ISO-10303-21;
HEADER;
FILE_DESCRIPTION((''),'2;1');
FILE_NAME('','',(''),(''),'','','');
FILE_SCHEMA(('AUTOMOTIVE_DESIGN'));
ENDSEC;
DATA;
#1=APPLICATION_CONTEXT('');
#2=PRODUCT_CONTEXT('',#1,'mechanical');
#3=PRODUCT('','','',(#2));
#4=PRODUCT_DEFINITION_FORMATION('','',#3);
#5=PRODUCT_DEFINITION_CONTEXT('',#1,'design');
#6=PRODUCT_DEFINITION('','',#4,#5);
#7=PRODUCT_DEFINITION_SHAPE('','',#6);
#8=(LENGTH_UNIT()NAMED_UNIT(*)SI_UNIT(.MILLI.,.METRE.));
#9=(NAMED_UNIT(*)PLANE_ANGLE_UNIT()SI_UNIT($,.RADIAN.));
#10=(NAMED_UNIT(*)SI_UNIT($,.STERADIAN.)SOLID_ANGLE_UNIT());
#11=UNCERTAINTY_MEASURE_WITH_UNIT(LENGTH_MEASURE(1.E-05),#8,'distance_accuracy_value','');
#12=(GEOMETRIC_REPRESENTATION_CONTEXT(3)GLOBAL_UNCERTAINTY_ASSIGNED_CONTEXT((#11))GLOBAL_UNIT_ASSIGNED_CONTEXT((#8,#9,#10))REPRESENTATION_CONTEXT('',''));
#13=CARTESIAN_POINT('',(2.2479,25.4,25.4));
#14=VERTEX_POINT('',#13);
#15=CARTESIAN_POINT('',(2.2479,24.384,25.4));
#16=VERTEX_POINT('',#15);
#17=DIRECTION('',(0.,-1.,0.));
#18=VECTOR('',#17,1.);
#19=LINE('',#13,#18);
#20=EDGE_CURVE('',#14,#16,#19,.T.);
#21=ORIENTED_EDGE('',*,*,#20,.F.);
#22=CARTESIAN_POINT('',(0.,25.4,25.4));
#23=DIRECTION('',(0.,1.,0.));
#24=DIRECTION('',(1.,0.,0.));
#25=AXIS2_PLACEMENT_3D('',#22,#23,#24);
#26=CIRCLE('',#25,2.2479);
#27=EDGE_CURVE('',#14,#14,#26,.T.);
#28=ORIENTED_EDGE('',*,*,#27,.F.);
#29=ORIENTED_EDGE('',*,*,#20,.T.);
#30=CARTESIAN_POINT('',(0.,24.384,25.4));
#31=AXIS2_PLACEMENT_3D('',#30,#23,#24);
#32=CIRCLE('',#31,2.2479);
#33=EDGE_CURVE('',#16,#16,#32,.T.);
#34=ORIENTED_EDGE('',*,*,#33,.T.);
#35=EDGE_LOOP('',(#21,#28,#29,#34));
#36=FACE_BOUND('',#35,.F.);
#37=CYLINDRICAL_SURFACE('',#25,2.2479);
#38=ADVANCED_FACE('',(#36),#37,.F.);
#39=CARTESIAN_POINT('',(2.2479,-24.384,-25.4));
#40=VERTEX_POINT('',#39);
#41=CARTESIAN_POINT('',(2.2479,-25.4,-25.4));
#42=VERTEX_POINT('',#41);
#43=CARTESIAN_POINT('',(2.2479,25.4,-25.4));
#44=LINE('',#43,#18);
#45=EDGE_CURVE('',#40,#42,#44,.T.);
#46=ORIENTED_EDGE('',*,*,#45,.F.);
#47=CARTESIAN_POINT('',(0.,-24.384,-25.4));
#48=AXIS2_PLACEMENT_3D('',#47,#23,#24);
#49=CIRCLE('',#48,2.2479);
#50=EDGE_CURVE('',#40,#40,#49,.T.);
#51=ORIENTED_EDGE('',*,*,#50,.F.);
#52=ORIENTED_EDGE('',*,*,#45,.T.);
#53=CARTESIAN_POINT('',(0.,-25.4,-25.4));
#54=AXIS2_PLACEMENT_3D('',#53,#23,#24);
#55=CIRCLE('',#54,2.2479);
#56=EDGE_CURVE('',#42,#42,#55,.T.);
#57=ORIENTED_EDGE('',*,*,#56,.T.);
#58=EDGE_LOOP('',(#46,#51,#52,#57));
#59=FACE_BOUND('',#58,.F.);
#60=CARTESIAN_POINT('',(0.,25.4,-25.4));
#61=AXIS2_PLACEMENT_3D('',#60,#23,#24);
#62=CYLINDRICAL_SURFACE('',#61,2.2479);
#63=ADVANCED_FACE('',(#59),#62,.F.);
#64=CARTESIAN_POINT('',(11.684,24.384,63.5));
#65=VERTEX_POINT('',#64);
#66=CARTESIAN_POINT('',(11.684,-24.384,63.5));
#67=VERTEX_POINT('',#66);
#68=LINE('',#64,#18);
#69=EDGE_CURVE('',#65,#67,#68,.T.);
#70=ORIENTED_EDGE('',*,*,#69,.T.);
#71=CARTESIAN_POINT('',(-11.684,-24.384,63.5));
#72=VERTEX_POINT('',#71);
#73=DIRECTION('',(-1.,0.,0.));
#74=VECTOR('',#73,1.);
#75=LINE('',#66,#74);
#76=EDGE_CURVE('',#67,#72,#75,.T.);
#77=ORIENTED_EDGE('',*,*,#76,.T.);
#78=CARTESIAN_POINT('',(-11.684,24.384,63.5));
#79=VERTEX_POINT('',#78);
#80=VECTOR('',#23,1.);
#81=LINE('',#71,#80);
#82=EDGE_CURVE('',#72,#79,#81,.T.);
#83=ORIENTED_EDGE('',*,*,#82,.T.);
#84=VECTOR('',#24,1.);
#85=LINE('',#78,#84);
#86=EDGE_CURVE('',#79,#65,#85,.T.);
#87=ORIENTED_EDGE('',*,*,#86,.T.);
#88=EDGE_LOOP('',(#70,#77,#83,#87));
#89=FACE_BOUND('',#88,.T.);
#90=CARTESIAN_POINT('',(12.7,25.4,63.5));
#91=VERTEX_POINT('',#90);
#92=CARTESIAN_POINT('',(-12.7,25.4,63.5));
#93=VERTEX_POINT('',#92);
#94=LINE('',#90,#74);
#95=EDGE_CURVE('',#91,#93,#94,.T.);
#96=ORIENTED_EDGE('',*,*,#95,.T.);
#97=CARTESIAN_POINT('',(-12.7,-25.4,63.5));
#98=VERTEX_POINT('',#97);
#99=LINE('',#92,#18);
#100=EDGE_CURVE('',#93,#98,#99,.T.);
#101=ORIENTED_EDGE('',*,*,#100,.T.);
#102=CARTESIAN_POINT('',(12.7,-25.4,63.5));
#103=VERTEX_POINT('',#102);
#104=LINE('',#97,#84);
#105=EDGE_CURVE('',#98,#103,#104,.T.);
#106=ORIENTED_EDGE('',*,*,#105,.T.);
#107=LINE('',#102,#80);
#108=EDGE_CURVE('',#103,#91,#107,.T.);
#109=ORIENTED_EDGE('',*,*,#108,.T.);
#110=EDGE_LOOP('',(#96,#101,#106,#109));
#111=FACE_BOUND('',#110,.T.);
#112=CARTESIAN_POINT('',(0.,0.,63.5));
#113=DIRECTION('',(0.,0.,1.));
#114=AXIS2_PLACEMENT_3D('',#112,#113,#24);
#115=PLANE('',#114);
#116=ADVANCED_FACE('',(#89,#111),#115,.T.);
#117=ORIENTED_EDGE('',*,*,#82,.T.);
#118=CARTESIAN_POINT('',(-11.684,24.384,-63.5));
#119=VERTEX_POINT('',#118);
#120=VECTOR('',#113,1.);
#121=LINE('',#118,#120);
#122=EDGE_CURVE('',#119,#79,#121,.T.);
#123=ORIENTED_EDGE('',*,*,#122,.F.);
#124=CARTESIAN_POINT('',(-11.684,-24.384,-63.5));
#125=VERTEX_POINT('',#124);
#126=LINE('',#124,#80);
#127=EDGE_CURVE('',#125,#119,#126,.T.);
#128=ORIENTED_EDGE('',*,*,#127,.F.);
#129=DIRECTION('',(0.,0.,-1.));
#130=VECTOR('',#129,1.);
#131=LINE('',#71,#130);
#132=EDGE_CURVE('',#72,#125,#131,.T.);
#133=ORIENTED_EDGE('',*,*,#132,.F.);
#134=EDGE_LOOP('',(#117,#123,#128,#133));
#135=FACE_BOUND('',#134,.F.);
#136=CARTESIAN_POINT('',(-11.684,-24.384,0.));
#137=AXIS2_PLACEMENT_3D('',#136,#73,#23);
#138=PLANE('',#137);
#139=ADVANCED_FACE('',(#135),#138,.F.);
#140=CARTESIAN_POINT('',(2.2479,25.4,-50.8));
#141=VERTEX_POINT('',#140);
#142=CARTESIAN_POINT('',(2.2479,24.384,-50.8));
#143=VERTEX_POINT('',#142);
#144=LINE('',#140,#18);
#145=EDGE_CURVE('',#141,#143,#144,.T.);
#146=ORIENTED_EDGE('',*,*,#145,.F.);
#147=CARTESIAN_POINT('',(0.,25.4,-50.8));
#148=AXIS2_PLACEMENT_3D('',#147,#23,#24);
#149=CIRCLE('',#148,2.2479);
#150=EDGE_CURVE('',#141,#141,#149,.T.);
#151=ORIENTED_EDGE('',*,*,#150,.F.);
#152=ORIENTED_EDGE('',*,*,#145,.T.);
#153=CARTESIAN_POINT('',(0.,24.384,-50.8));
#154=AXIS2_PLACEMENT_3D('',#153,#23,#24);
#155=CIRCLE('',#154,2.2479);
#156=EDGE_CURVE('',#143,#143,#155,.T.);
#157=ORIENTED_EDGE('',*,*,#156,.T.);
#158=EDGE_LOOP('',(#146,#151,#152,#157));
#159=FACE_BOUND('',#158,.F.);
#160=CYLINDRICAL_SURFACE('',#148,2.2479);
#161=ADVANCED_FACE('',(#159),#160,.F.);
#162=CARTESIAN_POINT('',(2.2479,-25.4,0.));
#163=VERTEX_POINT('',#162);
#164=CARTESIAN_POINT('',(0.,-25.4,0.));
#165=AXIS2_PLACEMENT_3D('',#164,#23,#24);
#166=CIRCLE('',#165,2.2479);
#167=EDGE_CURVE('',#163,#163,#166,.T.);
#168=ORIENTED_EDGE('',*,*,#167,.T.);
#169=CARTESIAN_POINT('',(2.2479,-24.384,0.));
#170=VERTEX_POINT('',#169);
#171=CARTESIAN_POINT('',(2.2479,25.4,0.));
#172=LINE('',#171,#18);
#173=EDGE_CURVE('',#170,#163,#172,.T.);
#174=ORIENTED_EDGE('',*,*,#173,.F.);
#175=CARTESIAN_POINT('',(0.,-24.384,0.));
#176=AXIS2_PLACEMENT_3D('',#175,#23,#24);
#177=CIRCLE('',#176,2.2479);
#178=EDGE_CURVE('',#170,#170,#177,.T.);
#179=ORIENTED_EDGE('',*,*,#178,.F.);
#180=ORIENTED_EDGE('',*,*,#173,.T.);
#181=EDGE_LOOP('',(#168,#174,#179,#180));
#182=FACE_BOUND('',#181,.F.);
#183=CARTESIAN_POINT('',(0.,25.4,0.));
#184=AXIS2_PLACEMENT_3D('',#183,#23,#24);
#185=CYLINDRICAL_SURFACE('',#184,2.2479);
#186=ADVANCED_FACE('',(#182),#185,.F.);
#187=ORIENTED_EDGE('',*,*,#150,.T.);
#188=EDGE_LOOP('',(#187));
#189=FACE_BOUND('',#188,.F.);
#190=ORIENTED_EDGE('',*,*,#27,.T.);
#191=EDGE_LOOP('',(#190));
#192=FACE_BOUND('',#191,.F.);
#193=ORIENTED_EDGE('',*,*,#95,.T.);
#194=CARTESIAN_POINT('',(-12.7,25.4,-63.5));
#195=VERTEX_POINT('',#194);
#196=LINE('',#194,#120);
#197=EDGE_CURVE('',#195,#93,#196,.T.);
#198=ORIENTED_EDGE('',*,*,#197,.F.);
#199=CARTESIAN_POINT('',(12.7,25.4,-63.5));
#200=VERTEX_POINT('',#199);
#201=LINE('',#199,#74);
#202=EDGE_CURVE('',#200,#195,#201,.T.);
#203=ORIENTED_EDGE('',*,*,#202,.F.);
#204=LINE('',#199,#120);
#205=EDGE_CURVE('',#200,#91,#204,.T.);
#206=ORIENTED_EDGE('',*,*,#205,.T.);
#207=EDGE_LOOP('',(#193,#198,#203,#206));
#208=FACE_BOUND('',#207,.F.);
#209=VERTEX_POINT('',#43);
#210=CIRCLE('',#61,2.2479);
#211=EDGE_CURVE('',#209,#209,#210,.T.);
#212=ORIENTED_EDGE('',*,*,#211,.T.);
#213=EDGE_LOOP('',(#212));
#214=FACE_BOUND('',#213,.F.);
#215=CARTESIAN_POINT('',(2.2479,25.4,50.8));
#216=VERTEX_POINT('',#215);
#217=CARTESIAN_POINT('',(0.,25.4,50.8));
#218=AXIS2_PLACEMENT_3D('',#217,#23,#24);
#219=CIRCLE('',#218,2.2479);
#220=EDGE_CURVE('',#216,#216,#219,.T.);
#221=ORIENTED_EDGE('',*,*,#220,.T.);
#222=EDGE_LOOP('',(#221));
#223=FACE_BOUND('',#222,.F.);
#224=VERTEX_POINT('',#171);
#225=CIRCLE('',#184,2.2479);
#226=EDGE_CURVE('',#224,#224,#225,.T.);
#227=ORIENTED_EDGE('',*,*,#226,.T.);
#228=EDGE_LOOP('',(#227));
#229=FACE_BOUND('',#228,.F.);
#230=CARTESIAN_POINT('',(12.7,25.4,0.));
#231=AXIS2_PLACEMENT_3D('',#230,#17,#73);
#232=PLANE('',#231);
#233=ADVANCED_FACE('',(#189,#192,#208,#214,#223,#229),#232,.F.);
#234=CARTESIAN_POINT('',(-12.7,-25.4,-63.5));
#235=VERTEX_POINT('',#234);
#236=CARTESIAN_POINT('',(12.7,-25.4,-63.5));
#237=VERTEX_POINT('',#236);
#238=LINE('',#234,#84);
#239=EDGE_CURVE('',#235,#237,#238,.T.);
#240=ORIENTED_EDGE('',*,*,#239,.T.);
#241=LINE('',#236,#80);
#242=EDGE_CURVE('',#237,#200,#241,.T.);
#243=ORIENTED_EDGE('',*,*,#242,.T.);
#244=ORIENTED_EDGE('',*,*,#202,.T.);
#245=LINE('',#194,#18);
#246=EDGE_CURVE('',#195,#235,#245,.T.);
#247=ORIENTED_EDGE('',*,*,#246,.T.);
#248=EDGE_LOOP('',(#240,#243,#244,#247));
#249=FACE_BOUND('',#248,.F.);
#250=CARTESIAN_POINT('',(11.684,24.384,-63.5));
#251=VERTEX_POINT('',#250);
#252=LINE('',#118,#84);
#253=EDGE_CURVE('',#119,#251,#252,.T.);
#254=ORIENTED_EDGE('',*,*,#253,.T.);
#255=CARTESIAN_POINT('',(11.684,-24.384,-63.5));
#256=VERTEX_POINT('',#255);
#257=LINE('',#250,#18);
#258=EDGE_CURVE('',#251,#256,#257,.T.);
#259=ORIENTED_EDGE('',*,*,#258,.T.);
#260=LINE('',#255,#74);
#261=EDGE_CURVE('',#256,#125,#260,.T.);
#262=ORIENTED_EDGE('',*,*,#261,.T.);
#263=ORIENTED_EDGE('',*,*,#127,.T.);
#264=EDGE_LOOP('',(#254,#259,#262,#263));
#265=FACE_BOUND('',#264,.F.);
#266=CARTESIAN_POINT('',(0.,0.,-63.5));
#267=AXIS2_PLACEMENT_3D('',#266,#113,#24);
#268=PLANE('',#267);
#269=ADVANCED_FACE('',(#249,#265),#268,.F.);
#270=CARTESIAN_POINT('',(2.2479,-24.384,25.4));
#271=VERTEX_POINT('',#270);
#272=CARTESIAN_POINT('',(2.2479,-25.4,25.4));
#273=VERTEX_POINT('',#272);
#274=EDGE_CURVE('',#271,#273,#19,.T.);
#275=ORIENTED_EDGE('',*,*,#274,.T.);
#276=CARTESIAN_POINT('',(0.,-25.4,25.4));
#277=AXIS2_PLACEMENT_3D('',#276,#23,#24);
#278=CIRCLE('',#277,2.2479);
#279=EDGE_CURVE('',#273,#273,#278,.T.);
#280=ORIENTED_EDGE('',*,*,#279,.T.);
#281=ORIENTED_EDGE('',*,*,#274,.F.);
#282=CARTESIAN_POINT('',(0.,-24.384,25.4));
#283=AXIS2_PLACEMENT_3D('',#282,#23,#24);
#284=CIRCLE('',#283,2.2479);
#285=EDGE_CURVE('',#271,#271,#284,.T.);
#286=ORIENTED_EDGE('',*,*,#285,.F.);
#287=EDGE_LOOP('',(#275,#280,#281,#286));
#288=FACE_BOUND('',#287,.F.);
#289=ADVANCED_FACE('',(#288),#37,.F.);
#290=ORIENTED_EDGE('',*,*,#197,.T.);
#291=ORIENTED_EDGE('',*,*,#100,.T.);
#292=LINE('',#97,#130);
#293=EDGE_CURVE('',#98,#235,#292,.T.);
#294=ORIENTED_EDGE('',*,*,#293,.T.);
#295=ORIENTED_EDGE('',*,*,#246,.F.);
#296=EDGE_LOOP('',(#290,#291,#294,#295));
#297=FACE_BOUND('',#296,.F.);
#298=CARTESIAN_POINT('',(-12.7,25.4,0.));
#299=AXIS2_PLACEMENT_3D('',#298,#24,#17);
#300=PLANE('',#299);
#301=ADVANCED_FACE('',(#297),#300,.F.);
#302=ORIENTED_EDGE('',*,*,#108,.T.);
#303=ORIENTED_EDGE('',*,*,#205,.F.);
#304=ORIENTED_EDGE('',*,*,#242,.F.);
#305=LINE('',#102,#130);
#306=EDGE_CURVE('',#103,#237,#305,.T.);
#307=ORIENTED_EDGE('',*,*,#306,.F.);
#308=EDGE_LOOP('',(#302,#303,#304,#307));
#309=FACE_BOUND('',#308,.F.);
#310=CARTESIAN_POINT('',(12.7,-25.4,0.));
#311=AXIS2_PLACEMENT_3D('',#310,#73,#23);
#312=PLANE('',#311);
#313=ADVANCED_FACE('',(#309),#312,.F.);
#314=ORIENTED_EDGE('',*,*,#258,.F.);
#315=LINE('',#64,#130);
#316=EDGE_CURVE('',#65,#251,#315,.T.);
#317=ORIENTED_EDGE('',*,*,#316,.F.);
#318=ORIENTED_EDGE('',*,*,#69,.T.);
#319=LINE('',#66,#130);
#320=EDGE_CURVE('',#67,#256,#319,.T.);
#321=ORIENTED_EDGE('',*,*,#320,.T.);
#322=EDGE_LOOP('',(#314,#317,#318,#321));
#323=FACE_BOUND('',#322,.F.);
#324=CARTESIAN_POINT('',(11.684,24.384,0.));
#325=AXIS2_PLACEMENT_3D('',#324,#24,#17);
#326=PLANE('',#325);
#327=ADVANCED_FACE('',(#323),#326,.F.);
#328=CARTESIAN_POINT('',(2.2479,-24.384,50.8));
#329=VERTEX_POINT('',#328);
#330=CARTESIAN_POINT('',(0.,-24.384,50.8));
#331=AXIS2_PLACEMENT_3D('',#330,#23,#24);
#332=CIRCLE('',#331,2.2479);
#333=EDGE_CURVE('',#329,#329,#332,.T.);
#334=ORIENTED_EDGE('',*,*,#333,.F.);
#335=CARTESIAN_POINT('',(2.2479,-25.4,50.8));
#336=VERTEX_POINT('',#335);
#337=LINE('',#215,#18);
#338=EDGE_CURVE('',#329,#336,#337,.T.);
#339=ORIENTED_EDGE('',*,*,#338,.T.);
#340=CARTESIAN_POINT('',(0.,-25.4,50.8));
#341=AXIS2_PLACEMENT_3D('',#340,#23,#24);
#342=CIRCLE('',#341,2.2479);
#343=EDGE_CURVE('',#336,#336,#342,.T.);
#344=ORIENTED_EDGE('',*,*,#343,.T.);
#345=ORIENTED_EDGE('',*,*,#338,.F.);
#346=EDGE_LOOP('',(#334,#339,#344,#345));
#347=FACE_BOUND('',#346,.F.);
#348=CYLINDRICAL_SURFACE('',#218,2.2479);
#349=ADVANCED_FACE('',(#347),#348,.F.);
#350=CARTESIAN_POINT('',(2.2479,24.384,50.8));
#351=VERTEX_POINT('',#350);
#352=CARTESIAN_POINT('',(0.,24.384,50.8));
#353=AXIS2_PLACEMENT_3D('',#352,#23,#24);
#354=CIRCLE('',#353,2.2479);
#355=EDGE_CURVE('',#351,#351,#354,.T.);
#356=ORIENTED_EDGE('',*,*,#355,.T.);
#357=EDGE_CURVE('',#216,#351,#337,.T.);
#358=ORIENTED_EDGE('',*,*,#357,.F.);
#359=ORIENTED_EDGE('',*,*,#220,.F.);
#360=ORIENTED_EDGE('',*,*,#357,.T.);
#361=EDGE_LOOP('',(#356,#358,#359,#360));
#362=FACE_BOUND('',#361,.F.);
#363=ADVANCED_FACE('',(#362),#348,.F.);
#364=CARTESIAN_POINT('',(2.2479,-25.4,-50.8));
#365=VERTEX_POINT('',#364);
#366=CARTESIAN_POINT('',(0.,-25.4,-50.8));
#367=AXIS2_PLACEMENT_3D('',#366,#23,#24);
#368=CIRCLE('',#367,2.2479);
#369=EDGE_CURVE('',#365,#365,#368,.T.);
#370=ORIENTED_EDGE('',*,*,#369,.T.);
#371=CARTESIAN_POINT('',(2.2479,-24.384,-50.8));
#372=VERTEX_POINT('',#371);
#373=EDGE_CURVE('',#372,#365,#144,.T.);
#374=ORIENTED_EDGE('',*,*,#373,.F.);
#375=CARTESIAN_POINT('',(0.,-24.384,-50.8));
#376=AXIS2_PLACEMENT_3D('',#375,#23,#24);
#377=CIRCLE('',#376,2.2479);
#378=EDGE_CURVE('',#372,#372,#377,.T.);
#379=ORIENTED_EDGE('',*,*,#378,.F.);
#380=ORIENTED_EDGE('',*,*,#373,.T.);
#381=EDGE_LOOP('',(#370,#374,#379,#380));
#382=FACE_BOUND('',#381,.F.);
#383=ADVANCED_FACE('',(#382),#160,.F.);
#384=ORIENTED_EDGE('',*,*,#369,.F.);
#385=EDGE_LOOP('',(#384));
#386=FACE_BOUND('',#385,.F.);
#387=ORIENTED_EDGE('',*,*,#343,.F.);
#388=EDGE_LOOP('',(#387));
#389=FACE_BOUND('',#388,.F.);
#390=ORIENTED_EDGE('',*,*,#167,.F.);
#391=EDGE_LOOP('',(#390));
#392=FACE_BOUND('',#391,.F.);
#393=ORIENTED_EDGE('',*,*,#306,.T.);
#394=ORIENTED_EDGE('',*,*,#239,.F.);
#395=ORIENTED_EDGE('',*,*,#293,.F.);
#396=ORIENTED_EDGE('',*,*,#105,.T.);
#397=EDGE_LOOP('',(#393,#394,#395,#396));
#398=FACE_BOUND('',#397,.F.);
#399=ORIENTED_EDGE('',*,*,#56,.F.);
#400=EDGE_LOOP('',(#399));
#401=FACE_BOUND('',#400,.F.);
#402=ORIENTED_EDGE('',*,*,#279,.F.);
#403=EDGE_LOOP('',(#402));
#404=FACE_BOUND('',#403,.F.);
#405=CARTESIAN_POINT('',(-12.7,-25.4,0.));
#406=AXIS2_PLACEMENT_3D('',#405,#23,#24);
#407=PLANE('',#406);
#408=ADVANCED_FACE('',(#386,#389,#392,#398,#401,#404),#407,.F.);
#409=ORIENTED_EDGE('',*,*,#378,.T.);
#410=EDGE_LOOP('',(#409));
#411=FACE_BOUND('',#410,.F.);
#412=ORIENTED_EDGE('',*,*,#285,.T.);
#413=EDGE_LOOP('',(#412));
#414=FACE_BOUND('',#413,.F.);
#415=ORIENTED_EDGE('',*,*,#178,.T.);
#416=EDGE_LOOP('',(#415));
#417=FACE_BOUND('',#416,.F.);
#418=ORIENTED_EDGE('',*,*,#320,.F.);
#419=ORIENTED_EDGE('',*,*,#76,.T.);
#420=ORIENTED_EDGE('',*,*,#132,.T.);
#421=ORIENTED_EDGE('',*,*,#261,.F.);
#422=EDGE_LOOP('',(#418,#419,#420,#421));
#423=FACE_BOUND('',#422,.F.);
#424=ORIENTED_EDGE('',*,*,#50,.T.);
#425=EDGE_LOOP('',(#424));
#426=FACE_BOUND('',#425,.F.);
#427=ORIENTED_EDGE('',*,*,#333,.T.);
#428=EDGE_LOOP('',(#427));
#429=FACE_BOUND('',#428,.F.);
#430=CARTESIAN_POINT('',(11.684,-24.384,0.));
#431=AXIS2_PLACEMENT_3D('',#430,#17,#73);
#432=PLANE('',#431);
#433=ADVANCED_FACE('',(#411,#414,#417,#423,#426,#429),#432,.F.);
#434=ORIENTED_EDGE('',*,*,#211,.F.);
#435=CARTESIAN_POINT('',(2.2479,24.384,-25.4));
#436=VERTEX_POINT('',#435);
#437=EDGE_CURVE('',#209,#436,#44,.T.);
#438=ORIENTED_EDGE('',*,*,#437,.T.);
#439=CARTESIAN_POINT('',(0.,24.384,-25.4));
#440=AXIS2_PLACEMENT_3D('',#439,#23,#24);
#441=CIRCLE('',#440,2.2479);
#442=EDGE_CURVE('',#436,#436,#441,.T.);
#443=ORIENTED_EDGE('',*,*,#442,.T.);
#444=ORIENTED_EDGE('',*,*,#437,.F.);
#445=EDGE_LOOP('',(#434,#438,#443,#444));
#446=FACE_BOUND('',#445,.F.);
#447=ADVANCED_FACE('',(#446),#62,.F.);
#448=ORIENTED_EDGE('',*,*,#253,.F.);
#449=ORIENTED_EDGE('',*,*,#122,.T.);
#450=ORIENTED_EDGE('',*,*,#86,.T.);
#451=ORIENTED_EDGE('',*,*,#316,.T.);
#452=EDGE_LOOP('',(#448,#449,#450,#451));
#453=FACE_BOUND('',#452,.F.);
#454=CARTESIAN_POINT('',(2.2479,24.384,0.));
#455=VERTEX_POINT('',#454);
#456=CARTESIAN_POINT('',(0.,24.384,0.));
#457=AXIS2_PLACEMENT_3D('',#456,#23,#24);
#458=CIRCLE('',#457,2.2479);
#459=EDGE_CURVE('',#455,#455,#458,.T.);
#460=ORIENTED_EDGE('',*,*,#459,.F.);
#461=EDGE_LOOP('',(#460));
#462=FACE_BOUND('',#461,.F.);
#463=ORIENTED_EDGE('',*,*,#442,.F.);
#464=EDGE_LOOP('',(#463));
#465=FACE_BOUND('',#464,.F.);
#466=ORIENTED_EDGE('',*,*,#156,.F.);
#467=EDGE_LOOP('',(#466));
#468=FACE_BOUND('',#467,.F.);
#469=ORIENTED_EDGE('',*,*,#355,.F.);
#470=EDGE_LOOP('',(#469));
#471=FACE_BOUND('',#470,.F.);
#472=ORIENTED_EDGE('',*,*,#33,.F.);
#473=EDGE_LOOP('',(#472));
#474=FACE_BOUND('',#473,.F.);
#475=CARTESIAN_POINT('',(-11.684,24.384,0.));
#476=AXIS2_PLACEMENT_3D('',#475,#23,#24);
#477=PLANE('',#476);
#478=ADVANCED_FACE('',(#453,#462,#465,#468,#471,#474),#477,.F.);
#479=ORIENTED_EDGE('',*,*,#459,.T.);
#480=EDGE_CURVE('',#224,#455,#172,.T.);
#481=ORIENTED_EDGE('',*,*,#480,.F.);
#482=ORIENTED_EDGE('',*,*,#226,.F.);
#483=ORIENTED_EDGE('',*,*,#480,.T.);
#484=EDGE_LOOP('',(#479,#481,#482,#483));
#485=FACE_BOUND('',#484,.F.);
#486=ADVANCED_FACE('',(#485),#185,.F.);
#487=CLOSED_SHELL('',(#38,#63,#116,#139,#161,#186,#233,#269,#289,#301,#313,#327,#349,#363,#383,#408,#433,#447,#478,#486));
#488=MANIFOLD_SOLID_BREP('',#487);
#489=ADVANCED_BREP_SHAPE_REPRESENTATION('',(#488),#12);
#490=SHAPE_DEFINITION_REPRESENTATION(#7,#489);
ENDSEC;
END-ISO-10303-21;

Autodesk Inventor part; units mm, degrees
ref_plane "YZ Plane" through (0, 0, 0) normal (1, 0, 0) x (0, 1, 0)
ref_plane "XZ Plane" through (0, 0, 0) normal (0, 1, 0) x (-1, 0, 0)
ref_plane "XY Plane" through (0, 0, 0) normal (0, 0, 1) x (1, 0, 0)
sketch "Sketch1" plane through (0, 0, 0) normal (0, 0, 1) x (1, 0, 0)
  line L0 (12.7, 25.4) -> (-12.7, 25.4)
  line L1 (-12.7, 25.4) -> (-12.7, -25.4)
  line L2 (-12.7, -25.4) -> (12.7, -25.4)
  line L3 (12.7, -25.4) -> (12.7, 25.4)
  line L4 (12.7, 25.4) -> (-12.7, -25.4) construction
  line L5 (-12.7, 25.4) -> (12.7, -25.4) construction
  line L6 (-11.684, 24.384) -> (11.684, 24.384)
  line L7 (11.684, 24.384) -> (11.684, -24.384)
  line L8 (11.684, -24.384) -> (-11.684, -24.384)
  line L9 (-11.684, -24.384) -> (-11.684, 24.384)
  point P0 (0, 0)
  dimension "d0" = 1.016
  dimension "d1" = 50.8
  dimension "d2" = 25.4
extrude "Tube Length" add sketch "Sketch1" along normal mid plane 127
sketch "Sketch2" plane through (-12.7, 25.4, 63.5) normal (0, 1, 0) x (1, 0, 0)
  line L0 (0, 0) -> (0, 127) projected
  line L1 (25.4, 0) -> (0, 0) projected
  line L2 (25.4, 127) -> (25.4, 0) projected
  line L3 (0, 127) -> (25.4, 127) projected
  line L4 (25.4, 0) -> (0, 0) projected
  line L5 (12.7, 0) -> (12.7, 12.7) construction
  circle A0 centre (12.7, 12.7) radius 2.2479
  point P0 (12.7, 63.5)
  dimension "d5" = 12.7
  dimension "d6" = 4.4958
extrude "Top Hole" cut sketch "Sketch2" against normal through all contours A0
pattern_linear "Rectangular Pattern1" count 5 spacing 25.4 along (0, 0, -1) of "Top Hole"
sketch "Sketch3" plane through (0, 0, 63.5) normal (0, 0, 1) x (1, 0, 0)
  line L0 (0, 0) -> (0, 25.4) construction
  line L1 (12.7, 25.4) -> (-12.7, 25.4) projected
  line L2 (-0.0508, 25.4) -> (0, 25.2984)
  line L3 (0.0508, 25.4) -> (0, 25.2984)
  line L4 (-12.7, 12.6492) -> (-12.5984, 12.7)
  line L5 (-12.7, 12.7508) -> (-12.5984, 12.7)
  line L6 (-12.7, -0.0508) -> (-12.5984, 0)
  line L7 (-12.7, 0.0508) -> (-12.5984, 0)
  line L8 (-12.7, -12.7508) -> (-12.5984, -12.7)
  line L9 (-12.7, -12.6492) -> (-12.5984, -12.7)
  line L10 (12.7, 0.0508) -> (12.5984, 0)
  line L11 (12.7, 12.6492) -> (12.5984, 12.7)
  line L12 (12.7, 12.7508) -> (12.5984, 12.7)
  line L13 (12.7, -0.0508) -> (12.5984, 0)
  line L14 (12.7, -12.6492) -> (12.5984, -12.7)
  line L15 (12.7, -12.7508) -> (12.5984, -12.7)
  line L16 (0.0508, -25.4) -> (0, -25.2984)
  line L17 (-0.0508, -25.4) -> (0, -25.2984)
  line L18 (-12.7, 25.4) -> (-12.7, -25.4) projected
  line L19 (12.7, -25.4) -> (12.7, 25.4) projected
  line L20 (-12.7, -25.4) -> (12.7, -25.4) projected
  point P0 (0, 12.7)
  point P1 (-12.7, 12.7)
  point P2 (-12.7, 0)
  point P3 (-12.7, -12.7)
  point P4 (12.7, 12.7)
  point P5 (12.7, 0)
  point P6 (12.7, -12.7)
  point P7 (0, -25.4)
  dimension "d12" = 0.1016
  dimension "d13" = 0.1016
  dimension "d16" = 90
  dimension "d20" = 12.7
  dimension "d27" = 360
equation "\"d13\" = d12"
properties part number "Carrage Base & Top Tube" material "Aluminum 6061"
